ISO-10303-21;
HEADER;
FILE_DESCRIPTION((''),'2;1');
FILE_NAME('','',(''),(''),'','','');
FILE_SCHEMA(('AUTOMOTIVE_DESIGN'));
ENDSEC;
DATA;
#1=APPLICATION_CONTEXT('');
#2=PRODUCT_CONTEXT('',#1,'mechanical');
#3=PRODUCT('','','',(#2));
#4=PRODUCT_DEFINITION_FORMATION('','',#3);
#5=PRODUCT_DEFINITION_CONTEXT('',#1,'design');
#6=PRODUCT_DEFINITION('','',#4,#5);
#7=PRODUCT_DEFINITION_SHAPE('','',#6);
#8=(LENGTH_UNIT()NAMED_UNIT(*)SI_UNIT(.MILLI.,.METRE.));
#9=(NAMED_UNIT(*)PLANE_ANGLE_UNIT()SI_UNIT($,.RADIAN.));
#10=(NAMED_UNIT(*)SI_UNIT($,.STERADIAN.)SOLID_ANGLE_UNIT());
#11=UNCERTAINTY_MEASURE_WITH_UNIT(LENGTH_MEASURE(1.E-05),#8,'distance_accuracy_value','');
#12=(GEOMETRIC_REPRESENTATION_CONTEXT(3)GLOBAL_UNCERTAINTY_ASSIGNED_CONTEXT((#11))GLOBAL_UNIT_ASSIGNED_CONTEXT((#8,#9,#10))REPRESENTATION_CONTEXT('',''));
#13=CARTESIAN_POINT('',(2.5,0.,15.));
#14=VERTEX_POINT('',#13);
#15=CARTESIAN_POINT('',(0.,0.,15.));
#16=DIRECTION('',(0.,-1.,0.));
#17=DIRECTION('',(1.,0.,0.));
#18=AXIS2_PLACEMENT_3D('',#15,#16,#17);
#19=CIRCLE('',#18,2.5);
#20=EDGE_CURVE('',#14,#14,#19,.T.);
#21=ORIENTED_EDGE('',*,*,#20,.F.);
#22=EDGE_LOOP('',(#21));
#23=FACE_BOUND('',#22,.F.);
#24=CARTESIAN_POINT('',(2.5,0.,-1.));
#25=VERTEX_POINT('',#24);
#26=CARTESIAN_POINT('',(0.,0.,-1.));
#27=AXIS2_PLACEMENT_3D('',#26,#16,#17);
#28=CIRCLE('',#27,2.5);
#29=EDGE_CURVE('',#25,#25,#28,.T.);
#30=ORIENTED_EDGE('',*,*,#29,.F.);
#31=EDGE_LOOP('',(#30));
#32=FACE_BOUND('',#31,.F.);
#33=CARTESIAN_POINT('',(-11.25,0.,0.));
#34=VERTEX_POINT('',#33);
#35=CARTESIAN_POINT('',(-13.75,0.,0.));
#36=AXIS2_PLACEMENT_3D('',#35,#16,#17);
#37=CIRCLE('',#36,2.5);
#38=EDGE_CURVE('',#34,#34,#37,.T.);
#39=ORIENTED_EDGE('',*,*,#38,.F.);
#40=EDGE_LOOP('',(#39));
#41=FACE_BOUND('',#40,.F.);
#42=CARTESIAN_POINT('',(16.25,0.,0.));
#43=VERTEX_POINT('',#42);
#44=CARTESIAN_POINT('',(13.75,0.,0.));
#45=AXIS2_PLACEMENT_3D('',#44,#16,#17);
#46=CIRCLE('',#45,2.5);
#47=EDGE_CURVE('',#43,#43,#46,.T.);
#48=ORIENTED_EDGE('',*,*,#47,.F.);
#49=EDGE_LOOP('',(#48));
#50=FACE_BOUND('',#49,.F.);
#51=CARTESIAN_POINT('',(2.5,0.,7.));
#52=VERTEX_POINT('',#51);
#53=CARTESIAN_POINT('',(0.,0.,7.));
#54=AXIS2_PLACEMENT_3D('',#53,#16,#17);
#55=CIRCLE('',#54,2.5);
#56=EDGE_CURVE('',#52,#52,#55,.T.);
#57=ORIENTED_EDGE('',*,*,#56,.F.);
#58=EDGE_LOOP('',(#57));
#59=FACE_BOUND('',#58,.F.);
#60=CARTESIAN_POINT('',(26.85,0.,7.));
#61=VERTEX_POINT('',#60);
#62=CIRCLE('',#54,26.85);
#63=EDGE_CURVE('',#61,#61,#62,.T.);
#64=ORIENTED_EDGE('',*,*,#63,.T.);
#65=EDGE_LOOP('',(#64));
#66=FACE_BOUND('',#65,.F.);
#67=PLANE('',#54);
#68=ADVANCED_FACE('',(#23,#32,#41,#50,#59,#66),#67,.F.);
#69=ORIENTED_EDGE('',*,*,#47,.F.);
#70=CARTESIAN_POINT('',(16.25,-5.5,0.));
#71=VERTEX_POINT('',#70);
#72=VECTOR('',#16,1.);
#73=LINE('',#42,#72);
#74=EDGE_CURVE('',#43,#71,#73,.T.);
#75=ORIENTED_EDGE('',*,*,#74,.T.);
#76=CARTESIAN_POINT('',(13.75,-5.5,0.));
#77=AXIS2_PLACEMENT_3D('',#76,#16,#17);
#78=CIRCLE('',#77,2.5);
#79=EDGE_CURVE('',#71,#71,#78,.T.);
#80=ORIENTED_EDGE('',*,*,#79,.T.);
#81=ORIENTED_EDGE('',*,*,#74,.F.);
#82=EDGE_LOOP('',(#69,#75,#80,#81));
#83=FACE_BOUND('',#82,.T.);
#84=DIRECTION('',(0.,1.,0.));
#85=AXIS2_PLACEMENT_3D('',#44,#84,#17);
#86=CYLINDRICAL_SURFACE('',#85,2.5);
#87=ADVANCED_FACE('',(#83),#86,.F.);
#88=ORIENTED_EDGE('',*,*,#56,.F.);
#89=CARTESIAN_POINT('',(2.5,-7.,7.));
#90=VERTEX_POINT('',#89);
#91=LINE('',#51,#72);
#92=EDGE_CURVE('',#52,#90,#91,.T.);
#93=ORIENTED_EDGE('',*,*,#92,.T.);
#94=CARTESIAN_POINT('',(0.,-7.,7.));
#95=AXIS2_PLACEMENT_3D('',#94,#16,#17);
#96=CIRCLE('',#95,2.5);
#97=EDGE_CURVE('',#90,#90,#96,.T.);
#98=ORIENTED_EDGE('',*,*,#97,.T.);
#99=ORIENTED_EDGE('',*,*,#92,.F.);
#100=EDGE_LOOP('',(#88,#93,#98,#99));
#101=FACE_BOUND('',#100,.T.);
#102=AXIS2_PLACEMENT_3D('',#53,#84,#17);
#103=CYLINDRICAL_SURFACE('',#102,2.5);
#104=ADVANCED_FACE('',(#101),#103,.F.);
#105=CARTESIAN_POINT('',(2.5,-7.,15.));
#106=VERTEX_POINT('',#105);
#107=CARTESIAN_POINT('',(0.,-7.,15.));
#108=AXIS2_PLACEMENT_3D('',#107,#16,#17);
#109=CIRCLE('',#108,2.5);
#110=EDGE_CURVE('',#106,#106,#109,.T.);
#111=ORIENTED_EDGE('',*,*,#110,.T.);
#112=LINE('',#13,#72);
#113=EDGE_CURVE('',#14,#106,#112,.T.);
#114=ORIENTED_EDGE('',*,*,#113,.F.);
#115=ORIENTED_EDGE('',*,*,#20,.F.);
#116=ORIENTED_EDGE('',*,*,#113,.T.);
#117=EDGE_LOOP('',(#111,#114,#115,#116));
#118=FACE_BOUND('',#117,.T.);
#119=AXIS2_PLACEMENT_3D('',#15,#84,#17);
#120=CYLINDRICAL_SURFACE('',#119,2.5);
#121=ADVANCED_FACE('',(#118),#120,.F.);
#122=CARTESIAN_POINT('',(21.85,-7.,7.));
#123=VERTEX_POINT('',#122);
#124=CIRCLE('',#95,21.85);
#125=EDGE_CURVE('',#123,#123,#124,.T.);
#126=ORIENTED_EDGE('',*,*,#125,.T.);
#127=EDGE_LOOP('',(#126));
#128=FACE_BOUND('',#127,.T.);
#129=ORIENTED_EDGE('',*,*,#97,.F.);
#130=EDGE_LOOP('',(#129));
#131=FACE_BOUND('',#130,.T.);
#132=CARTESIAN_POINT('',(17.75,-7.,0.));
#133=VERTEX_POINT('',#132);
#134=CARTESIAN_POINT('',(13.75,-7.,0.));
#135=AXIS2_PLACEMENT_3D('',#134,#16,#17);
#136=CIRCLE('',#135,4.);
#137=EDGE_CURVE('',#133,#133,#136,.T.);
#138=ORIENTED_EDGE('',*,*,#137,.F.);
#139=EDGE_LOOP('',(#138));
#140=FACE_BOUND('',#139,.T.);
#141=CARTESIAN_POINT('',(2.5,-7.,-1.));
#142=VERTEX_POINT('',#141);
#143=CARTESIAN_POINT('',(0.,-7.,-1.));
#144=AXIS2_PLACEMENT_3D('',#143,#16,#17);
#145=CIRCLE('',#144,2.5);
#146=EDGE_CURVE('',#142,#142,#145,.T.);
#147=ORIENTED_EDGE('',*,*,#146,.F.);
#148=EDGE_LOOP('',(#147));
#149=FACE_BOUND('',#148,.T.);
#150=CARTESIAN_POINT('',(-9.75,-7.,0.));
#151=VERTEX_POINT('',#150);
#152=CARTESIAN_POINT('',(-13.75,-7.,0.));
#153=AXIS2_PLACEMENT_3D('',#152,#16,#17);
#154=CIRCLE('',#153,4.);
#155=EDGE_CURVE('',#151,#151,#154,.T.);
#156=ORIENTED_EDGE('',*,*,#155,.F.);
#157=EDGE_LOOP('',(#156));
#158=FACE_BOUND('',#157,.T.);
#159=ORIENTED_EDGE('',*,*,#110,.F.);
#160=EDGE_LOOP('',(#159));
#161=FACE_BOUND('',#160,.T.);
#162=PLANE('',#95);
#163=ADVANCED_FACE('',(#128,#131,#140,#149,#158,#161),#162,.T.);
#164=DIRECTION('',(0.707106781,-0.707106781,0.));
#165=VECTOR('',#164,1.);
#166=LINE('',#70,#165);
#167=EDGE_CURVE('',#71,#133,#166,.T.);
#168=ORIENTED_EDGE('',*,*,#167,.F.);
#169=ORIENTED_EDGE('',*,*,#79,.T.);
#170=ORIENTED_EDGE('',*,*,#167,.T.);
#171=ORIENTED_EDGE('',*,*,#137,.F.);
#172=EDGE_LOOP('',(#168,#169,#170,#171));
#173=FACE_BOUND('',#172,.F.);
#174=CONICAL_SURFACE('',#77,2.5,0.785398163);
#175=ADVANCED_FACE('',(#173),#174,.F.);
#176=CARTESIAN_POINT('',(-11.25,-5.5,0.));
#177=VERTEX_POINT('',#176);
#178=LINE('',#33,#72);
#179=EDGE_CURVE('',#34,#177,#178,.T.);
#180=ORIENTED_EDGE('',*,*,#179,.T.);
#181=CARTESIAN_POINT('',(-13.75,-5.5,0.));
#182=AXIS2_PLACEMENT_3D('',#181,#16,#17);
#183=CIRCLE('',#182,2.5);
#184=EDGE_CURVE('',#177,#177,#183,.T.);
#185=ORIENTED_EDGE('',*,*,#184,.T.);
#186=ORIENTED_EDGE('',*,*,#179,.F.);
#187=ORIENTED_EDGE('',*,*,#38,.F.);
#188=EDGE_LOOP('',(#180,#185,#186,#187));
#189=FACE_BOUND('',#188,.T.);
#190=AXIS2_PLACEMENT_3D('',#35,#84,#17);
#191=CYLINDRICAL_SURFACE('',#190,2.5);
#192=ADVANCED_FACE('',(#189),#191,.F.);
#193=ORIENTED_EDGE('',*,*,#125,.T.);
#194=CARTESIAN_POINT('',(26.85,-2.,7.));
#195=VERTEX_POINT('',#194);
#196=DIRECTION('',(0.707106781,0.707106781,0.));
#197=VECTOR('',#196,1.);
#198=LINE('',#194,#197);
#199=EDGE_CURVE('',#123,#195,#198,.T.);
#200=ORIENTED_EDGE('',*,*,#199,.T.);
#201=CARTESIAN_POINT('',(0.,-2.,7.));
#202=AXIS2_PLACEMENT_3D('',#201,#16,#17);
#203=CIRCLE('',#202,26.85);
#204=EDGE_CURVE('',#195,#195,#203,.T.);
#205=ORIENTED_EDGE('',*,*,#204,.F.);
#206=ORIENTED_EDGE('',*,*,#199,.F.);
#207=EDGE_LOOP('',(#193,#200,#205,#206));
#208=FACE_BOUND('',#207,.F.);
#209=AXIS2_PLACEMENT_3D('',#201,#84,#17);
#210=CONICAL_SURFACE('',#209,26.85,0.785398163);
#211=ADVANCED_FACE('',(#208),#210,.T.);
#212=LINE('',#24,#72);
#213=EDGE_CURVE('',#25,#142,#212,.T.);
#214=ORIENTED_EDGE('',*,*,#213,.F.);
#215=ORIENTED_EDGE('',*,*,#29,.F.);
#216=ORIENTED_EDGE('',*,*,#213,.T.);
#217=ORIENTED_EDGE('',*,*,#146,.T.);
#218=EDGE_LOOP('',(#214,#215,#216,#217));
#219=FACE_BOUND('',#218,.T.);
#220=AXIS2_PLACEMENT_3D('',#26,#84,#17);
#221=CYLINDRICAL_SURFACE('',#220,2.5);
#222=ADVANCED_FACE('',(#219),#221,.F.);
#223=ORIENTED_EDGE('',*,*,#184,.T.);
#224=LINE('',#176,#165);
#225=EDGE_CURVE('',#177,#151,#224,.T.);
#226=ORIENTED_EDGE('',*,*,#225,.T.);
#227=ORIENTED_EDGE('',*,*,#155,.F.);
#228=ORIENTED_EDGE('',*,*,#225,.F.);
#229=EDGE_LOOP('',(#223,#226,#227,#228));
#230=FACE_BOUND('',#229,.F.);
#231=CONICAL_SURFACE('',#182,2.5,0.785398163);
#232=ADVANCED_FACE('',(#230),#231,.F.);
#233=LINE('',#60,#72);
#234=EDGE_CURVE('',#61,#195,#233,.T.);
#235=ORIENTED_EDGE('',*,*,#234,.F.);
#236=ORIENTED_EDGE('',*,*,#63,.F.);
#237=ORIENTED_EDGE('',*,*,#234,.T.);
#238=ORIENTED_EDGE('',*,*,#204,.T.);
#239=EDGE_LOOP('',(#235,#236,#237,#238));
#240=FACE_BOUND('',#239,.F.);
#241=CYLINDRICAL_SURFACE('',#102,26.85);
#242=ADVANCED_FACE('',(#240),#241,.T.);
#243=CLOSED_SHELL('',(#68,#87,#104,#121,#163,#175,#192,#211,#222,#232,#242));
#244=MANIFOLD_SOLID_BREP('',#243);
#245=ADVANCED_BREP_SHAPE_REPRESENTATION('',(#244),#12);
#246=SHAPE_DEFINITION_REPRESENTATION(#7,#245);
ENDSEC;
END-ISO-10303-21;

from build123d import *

# Parameters (mm, degrees)
F0_R     = 26.85
F0_R_2   = 2.5
F1_DEPTH = 7
F2_SIZE  = 1.5
F3_SIZE  = 5


with BuildPart() as f1:
    # F0 (on Front) → F1 (new body)
    with BuildSketch(Plane.XZ):
        with Locations((0, 7)):
            Circle(F0_R)
        with Locations((-13.75, 0)):
            Circle(F0_R_2, mode=Mode.SUBTRACT)
        with Locations((0, -1)):
            Circle(F0_R_2, mode=Mode.SUBTRACT)
        with Locations((0, 7)):
            Circle(F0_R_2, mode=Mode.SUBTRACT)
        with Locations((13.75, 0)):
            Circle(F0_R_2, mode=Mode.SUBTRACT)
        with Locations((0, 15)):
            Circle(F0_R_2, mode=Mode.SUBTRACT)
    extrude(amount=F1_DEPTH)

    # F2
    f2_edges = [f1.edges().sort_by_distance(p)[0] for p in [
        (-16.25, -7, 0),
        (11.25, -7, 0),
    ]]
    chamfer(f2_edges, length=F2_SIZE)

    # F3
    f3_edges = [f1.edges().sort_by_distance(p)[0] for p in [
        (-26.85, -7, 7),
    ]]
    chamfer(f3_edges, length=F3_SIZE)


solid = f1.part
